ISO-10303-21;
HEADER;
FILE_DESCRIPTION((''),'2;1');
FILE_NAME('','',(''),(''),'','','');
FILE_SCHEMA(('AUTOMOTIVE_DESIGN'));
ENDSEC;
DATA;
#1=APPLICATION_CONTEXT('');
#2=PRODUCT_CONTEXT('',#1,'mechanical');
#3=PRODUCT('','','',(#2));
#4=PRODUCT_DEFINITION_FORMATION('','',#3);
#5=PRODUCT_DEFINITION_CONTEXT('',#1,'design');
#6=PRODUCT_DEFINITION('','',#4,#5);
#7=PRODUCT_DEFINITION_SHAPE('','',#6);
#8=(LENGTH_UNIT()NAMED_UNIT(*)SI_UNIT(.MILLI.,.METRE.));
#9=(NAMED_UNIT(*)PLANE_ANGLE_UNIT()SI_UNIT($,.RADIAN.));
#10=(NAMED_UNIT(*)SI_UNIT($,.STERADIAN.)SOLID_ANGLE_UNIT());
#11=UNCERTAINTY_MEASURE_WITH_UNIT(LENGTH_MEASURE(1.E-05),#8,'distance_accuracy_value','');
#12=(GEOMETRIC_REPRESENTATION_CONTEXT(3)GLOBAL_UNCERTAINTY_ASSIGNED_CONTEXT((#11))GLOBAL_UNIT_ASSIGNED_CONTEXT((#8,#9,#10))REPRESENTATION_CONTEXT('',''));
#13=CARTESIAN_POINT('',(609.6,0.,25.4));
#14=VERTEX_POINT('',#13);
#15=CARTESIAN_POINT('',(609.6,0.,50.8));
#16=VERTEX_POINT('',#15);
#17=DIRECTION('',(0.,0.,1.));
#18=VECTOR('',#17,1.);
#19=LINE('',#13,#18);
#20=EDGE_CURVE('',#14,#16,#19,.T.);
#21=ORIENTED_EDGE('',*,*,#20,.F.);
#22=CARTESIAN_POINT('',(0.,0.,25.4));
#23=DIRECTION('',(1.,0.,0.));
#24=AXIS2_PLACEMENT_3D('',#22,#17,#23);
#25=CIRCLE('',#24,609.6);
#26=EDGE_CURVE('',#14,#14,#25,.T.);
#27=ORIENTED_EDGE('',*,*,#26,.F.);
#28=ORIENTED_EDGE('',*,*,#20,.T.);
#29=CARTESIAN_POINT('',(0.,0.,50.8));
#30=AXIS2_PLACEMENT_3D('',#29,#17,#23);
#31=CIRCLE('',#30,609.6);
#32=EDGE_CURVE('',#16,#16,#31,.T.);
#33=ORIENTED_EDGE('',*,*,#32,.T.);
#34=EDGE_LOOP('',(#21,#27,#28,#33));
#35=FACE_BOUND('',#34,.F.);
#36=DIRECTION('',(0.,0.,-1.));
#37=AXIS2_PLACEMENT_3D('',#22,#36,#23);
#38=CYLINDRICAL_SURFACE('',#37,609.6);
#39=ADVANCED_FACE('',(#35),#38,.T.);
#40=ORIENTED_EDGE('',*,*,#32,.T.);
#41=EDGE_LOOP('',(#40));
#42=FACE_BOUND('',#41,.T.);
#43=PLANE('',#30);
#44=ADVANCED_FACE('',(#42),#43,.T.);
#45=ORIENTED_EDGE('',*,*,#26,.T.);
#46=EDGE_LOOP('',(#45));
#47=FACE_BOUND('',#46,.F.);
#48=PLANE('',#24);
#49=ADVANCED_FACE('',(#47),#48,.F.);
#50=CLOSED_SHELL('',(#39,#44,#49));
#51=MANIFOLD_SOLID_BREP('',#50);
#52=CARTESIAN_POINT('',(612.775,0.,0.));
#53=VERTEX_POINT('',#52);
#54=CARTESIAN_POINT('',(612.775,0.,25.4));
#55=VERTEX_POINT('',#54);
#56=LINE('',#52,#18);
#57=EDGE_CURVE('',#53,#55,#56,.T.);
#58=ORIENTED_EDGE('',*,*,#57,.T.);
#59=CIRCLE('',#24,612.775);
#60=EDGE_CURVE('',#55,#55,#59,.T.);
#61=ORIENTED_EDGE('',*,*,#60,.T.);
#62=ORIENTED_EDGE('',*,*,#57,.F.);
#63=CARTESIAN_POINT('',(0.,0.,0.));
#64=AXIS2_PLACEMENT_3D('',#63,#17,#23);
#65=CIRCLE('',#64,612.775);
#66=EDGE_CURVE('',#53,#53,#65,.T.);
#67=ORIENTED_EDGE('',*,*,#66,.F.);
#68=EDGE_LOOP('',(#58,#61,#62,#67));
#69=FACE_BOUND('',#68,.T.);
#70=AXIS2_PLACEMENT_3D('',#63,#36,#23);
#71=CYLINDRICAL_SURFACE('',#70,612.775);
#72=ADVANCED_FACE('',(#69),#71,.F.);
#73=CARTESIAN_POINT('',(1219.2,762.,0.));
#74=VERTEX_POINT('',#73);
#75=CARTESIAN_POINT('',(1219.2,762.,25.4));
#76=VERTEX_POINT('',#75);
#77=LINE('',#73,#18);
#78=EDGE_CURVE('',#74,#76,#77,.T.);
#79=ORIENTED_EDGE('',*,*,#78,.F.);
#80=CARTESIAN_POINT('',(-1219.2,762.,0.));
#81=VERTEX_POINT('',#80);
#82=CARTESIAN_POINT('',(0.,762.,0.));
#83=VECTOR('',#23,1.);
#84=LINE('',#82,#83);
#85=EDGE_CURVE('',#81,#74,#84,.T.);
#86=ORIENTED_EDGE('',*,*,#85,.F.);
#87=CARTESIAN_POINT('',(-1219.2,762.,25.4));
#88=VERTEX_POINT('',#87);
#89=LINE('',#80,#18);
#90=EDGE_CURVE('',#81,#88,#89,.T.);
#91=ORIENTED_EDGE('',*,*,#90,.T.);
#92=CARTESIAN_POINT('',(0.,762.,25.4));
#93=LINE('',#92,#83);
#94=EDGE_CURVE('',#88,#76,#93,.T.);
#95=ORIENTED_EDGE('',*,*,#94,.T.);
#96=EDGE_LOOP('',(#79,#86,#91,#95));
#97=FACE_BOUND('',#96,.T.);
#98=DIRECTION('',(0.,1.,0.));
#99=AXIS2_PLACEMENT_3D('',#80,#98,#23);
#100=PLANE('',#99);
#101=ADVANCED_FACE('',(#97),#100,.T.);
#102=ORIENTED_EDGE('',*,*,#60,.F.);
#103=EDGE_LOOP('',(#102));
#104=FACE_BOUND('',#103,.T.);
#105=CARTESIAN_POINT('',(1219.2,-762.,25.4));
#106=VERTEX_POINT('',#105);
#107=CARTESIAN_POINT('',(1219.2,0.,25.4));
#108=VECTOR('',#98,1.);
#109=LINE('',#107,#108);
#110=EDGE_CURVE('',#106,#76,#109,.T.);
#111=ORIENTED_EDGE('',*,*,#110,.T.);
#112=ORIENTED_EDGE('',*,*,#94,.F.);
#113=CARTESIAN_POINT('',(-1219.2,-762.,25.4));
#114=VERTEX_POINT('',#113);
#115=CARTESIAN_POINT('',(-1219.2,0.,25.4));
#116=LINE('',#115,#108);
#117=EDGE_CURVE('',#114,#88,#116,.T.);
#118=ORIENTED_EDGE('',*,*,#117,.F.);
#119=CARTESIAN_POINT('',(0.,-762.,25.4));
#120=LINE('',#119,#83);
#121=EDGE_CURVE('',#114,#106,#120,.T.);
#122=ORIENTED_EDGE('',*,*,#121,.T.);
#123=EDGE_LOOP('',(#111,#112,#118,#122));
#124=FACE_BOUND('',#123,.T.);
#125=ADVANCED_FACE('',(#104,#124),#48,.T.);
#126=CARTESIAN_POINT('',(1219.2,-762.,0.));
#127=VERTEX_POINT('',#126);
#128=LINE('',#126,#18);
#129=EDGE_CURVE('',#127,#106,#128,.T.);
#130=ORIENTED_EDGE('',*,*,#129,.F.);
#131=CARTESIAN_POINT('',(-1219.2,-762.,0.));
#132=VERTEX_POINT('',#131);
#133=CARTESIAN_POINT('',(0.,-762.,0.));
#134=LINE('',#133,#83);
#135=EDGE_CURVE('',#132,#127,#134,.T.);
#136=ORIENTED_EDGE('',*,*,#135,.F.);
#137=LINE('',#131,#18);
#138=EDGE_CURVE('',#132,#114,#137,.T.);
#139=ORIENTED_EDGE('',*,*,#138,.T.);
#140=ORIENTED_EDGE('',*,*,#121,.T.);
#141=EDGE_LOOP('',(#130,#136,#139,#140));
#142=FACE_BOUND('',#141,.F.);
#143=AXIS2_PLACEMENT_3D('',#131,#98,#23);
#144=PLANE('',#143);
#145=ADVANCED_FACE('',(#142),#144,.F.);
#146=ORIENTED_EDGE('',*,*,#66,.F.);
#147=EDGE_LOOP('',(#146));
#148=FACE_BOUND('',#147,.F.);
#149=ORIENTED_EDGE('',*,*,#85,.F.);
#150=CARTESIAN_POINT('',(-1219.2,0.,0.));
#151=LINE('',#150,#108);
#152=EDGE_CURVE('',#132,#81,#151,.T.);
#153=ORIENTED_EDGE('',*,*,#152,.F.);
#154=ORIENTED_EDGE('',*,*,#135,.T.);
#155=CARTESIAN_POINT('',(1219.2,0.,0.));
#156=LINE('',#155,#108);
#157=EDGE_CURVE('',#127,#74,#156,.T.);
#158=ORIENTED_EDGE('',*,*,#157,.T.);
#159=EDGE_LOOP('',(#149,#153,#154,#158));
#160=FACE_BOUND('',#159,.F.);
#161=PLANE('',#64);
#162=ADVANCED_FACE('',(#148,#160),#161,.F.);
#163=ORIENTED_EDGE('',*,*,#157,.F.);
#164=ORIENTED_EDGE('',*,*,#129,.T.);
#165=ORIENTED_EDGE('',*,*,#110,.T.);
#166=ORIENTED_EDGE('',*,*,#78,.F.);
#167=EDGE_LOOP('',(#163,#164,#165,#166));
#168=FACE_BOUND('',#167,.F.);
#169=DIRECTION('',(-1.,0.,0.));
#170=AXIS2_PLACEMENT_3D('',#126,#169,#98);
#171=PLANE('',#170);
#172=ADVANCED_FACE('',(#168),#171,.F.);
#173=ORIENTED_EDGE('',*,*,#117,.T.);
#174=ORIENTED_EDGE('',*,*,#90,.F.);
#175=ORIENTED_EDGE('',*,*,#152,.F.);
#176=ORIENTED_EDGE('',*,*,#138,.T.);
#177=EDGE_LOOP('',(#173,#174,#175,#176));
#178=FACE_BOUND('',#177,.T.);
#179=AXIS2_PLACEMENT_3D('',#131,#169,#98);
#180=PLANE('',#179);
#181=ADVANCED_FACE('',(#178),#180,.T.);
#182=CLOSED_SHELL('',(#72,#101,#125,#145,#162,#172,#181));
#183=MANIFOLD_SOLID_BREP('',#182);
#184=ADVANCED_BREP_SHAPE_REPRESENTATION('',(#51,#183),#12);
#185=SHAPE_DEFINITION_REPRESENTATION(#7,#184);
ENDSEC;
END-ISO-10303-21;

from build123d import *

# Parameters (mm, degrees)
F0_W     = 2438.4
F0_H     = 1524
F0_R     = 612.775
F1_DEPTH = 25.4
F2_R     = 609.6
F3_DEPTH = 25.4


with BuildPart() as f1:
    # F0 (on Top) → F1 (new body)
    with BuildSketch(Plane.XY):
        Rectangle(F0_W, F0_H)
        Circle(F0_R, mode=Mode.SUBTRACT)
    extrude(amount=F1_DEPTH)


with BuildPart() as f3:
    # F2 (on face) → F3 (new body)
    with BuildSketch(Plane.XY.offset(25.4)):
        Circle(F2_R)
    extrude(amount=F3_DEPTH)


solid = Compound([f1.part, f3.part])
